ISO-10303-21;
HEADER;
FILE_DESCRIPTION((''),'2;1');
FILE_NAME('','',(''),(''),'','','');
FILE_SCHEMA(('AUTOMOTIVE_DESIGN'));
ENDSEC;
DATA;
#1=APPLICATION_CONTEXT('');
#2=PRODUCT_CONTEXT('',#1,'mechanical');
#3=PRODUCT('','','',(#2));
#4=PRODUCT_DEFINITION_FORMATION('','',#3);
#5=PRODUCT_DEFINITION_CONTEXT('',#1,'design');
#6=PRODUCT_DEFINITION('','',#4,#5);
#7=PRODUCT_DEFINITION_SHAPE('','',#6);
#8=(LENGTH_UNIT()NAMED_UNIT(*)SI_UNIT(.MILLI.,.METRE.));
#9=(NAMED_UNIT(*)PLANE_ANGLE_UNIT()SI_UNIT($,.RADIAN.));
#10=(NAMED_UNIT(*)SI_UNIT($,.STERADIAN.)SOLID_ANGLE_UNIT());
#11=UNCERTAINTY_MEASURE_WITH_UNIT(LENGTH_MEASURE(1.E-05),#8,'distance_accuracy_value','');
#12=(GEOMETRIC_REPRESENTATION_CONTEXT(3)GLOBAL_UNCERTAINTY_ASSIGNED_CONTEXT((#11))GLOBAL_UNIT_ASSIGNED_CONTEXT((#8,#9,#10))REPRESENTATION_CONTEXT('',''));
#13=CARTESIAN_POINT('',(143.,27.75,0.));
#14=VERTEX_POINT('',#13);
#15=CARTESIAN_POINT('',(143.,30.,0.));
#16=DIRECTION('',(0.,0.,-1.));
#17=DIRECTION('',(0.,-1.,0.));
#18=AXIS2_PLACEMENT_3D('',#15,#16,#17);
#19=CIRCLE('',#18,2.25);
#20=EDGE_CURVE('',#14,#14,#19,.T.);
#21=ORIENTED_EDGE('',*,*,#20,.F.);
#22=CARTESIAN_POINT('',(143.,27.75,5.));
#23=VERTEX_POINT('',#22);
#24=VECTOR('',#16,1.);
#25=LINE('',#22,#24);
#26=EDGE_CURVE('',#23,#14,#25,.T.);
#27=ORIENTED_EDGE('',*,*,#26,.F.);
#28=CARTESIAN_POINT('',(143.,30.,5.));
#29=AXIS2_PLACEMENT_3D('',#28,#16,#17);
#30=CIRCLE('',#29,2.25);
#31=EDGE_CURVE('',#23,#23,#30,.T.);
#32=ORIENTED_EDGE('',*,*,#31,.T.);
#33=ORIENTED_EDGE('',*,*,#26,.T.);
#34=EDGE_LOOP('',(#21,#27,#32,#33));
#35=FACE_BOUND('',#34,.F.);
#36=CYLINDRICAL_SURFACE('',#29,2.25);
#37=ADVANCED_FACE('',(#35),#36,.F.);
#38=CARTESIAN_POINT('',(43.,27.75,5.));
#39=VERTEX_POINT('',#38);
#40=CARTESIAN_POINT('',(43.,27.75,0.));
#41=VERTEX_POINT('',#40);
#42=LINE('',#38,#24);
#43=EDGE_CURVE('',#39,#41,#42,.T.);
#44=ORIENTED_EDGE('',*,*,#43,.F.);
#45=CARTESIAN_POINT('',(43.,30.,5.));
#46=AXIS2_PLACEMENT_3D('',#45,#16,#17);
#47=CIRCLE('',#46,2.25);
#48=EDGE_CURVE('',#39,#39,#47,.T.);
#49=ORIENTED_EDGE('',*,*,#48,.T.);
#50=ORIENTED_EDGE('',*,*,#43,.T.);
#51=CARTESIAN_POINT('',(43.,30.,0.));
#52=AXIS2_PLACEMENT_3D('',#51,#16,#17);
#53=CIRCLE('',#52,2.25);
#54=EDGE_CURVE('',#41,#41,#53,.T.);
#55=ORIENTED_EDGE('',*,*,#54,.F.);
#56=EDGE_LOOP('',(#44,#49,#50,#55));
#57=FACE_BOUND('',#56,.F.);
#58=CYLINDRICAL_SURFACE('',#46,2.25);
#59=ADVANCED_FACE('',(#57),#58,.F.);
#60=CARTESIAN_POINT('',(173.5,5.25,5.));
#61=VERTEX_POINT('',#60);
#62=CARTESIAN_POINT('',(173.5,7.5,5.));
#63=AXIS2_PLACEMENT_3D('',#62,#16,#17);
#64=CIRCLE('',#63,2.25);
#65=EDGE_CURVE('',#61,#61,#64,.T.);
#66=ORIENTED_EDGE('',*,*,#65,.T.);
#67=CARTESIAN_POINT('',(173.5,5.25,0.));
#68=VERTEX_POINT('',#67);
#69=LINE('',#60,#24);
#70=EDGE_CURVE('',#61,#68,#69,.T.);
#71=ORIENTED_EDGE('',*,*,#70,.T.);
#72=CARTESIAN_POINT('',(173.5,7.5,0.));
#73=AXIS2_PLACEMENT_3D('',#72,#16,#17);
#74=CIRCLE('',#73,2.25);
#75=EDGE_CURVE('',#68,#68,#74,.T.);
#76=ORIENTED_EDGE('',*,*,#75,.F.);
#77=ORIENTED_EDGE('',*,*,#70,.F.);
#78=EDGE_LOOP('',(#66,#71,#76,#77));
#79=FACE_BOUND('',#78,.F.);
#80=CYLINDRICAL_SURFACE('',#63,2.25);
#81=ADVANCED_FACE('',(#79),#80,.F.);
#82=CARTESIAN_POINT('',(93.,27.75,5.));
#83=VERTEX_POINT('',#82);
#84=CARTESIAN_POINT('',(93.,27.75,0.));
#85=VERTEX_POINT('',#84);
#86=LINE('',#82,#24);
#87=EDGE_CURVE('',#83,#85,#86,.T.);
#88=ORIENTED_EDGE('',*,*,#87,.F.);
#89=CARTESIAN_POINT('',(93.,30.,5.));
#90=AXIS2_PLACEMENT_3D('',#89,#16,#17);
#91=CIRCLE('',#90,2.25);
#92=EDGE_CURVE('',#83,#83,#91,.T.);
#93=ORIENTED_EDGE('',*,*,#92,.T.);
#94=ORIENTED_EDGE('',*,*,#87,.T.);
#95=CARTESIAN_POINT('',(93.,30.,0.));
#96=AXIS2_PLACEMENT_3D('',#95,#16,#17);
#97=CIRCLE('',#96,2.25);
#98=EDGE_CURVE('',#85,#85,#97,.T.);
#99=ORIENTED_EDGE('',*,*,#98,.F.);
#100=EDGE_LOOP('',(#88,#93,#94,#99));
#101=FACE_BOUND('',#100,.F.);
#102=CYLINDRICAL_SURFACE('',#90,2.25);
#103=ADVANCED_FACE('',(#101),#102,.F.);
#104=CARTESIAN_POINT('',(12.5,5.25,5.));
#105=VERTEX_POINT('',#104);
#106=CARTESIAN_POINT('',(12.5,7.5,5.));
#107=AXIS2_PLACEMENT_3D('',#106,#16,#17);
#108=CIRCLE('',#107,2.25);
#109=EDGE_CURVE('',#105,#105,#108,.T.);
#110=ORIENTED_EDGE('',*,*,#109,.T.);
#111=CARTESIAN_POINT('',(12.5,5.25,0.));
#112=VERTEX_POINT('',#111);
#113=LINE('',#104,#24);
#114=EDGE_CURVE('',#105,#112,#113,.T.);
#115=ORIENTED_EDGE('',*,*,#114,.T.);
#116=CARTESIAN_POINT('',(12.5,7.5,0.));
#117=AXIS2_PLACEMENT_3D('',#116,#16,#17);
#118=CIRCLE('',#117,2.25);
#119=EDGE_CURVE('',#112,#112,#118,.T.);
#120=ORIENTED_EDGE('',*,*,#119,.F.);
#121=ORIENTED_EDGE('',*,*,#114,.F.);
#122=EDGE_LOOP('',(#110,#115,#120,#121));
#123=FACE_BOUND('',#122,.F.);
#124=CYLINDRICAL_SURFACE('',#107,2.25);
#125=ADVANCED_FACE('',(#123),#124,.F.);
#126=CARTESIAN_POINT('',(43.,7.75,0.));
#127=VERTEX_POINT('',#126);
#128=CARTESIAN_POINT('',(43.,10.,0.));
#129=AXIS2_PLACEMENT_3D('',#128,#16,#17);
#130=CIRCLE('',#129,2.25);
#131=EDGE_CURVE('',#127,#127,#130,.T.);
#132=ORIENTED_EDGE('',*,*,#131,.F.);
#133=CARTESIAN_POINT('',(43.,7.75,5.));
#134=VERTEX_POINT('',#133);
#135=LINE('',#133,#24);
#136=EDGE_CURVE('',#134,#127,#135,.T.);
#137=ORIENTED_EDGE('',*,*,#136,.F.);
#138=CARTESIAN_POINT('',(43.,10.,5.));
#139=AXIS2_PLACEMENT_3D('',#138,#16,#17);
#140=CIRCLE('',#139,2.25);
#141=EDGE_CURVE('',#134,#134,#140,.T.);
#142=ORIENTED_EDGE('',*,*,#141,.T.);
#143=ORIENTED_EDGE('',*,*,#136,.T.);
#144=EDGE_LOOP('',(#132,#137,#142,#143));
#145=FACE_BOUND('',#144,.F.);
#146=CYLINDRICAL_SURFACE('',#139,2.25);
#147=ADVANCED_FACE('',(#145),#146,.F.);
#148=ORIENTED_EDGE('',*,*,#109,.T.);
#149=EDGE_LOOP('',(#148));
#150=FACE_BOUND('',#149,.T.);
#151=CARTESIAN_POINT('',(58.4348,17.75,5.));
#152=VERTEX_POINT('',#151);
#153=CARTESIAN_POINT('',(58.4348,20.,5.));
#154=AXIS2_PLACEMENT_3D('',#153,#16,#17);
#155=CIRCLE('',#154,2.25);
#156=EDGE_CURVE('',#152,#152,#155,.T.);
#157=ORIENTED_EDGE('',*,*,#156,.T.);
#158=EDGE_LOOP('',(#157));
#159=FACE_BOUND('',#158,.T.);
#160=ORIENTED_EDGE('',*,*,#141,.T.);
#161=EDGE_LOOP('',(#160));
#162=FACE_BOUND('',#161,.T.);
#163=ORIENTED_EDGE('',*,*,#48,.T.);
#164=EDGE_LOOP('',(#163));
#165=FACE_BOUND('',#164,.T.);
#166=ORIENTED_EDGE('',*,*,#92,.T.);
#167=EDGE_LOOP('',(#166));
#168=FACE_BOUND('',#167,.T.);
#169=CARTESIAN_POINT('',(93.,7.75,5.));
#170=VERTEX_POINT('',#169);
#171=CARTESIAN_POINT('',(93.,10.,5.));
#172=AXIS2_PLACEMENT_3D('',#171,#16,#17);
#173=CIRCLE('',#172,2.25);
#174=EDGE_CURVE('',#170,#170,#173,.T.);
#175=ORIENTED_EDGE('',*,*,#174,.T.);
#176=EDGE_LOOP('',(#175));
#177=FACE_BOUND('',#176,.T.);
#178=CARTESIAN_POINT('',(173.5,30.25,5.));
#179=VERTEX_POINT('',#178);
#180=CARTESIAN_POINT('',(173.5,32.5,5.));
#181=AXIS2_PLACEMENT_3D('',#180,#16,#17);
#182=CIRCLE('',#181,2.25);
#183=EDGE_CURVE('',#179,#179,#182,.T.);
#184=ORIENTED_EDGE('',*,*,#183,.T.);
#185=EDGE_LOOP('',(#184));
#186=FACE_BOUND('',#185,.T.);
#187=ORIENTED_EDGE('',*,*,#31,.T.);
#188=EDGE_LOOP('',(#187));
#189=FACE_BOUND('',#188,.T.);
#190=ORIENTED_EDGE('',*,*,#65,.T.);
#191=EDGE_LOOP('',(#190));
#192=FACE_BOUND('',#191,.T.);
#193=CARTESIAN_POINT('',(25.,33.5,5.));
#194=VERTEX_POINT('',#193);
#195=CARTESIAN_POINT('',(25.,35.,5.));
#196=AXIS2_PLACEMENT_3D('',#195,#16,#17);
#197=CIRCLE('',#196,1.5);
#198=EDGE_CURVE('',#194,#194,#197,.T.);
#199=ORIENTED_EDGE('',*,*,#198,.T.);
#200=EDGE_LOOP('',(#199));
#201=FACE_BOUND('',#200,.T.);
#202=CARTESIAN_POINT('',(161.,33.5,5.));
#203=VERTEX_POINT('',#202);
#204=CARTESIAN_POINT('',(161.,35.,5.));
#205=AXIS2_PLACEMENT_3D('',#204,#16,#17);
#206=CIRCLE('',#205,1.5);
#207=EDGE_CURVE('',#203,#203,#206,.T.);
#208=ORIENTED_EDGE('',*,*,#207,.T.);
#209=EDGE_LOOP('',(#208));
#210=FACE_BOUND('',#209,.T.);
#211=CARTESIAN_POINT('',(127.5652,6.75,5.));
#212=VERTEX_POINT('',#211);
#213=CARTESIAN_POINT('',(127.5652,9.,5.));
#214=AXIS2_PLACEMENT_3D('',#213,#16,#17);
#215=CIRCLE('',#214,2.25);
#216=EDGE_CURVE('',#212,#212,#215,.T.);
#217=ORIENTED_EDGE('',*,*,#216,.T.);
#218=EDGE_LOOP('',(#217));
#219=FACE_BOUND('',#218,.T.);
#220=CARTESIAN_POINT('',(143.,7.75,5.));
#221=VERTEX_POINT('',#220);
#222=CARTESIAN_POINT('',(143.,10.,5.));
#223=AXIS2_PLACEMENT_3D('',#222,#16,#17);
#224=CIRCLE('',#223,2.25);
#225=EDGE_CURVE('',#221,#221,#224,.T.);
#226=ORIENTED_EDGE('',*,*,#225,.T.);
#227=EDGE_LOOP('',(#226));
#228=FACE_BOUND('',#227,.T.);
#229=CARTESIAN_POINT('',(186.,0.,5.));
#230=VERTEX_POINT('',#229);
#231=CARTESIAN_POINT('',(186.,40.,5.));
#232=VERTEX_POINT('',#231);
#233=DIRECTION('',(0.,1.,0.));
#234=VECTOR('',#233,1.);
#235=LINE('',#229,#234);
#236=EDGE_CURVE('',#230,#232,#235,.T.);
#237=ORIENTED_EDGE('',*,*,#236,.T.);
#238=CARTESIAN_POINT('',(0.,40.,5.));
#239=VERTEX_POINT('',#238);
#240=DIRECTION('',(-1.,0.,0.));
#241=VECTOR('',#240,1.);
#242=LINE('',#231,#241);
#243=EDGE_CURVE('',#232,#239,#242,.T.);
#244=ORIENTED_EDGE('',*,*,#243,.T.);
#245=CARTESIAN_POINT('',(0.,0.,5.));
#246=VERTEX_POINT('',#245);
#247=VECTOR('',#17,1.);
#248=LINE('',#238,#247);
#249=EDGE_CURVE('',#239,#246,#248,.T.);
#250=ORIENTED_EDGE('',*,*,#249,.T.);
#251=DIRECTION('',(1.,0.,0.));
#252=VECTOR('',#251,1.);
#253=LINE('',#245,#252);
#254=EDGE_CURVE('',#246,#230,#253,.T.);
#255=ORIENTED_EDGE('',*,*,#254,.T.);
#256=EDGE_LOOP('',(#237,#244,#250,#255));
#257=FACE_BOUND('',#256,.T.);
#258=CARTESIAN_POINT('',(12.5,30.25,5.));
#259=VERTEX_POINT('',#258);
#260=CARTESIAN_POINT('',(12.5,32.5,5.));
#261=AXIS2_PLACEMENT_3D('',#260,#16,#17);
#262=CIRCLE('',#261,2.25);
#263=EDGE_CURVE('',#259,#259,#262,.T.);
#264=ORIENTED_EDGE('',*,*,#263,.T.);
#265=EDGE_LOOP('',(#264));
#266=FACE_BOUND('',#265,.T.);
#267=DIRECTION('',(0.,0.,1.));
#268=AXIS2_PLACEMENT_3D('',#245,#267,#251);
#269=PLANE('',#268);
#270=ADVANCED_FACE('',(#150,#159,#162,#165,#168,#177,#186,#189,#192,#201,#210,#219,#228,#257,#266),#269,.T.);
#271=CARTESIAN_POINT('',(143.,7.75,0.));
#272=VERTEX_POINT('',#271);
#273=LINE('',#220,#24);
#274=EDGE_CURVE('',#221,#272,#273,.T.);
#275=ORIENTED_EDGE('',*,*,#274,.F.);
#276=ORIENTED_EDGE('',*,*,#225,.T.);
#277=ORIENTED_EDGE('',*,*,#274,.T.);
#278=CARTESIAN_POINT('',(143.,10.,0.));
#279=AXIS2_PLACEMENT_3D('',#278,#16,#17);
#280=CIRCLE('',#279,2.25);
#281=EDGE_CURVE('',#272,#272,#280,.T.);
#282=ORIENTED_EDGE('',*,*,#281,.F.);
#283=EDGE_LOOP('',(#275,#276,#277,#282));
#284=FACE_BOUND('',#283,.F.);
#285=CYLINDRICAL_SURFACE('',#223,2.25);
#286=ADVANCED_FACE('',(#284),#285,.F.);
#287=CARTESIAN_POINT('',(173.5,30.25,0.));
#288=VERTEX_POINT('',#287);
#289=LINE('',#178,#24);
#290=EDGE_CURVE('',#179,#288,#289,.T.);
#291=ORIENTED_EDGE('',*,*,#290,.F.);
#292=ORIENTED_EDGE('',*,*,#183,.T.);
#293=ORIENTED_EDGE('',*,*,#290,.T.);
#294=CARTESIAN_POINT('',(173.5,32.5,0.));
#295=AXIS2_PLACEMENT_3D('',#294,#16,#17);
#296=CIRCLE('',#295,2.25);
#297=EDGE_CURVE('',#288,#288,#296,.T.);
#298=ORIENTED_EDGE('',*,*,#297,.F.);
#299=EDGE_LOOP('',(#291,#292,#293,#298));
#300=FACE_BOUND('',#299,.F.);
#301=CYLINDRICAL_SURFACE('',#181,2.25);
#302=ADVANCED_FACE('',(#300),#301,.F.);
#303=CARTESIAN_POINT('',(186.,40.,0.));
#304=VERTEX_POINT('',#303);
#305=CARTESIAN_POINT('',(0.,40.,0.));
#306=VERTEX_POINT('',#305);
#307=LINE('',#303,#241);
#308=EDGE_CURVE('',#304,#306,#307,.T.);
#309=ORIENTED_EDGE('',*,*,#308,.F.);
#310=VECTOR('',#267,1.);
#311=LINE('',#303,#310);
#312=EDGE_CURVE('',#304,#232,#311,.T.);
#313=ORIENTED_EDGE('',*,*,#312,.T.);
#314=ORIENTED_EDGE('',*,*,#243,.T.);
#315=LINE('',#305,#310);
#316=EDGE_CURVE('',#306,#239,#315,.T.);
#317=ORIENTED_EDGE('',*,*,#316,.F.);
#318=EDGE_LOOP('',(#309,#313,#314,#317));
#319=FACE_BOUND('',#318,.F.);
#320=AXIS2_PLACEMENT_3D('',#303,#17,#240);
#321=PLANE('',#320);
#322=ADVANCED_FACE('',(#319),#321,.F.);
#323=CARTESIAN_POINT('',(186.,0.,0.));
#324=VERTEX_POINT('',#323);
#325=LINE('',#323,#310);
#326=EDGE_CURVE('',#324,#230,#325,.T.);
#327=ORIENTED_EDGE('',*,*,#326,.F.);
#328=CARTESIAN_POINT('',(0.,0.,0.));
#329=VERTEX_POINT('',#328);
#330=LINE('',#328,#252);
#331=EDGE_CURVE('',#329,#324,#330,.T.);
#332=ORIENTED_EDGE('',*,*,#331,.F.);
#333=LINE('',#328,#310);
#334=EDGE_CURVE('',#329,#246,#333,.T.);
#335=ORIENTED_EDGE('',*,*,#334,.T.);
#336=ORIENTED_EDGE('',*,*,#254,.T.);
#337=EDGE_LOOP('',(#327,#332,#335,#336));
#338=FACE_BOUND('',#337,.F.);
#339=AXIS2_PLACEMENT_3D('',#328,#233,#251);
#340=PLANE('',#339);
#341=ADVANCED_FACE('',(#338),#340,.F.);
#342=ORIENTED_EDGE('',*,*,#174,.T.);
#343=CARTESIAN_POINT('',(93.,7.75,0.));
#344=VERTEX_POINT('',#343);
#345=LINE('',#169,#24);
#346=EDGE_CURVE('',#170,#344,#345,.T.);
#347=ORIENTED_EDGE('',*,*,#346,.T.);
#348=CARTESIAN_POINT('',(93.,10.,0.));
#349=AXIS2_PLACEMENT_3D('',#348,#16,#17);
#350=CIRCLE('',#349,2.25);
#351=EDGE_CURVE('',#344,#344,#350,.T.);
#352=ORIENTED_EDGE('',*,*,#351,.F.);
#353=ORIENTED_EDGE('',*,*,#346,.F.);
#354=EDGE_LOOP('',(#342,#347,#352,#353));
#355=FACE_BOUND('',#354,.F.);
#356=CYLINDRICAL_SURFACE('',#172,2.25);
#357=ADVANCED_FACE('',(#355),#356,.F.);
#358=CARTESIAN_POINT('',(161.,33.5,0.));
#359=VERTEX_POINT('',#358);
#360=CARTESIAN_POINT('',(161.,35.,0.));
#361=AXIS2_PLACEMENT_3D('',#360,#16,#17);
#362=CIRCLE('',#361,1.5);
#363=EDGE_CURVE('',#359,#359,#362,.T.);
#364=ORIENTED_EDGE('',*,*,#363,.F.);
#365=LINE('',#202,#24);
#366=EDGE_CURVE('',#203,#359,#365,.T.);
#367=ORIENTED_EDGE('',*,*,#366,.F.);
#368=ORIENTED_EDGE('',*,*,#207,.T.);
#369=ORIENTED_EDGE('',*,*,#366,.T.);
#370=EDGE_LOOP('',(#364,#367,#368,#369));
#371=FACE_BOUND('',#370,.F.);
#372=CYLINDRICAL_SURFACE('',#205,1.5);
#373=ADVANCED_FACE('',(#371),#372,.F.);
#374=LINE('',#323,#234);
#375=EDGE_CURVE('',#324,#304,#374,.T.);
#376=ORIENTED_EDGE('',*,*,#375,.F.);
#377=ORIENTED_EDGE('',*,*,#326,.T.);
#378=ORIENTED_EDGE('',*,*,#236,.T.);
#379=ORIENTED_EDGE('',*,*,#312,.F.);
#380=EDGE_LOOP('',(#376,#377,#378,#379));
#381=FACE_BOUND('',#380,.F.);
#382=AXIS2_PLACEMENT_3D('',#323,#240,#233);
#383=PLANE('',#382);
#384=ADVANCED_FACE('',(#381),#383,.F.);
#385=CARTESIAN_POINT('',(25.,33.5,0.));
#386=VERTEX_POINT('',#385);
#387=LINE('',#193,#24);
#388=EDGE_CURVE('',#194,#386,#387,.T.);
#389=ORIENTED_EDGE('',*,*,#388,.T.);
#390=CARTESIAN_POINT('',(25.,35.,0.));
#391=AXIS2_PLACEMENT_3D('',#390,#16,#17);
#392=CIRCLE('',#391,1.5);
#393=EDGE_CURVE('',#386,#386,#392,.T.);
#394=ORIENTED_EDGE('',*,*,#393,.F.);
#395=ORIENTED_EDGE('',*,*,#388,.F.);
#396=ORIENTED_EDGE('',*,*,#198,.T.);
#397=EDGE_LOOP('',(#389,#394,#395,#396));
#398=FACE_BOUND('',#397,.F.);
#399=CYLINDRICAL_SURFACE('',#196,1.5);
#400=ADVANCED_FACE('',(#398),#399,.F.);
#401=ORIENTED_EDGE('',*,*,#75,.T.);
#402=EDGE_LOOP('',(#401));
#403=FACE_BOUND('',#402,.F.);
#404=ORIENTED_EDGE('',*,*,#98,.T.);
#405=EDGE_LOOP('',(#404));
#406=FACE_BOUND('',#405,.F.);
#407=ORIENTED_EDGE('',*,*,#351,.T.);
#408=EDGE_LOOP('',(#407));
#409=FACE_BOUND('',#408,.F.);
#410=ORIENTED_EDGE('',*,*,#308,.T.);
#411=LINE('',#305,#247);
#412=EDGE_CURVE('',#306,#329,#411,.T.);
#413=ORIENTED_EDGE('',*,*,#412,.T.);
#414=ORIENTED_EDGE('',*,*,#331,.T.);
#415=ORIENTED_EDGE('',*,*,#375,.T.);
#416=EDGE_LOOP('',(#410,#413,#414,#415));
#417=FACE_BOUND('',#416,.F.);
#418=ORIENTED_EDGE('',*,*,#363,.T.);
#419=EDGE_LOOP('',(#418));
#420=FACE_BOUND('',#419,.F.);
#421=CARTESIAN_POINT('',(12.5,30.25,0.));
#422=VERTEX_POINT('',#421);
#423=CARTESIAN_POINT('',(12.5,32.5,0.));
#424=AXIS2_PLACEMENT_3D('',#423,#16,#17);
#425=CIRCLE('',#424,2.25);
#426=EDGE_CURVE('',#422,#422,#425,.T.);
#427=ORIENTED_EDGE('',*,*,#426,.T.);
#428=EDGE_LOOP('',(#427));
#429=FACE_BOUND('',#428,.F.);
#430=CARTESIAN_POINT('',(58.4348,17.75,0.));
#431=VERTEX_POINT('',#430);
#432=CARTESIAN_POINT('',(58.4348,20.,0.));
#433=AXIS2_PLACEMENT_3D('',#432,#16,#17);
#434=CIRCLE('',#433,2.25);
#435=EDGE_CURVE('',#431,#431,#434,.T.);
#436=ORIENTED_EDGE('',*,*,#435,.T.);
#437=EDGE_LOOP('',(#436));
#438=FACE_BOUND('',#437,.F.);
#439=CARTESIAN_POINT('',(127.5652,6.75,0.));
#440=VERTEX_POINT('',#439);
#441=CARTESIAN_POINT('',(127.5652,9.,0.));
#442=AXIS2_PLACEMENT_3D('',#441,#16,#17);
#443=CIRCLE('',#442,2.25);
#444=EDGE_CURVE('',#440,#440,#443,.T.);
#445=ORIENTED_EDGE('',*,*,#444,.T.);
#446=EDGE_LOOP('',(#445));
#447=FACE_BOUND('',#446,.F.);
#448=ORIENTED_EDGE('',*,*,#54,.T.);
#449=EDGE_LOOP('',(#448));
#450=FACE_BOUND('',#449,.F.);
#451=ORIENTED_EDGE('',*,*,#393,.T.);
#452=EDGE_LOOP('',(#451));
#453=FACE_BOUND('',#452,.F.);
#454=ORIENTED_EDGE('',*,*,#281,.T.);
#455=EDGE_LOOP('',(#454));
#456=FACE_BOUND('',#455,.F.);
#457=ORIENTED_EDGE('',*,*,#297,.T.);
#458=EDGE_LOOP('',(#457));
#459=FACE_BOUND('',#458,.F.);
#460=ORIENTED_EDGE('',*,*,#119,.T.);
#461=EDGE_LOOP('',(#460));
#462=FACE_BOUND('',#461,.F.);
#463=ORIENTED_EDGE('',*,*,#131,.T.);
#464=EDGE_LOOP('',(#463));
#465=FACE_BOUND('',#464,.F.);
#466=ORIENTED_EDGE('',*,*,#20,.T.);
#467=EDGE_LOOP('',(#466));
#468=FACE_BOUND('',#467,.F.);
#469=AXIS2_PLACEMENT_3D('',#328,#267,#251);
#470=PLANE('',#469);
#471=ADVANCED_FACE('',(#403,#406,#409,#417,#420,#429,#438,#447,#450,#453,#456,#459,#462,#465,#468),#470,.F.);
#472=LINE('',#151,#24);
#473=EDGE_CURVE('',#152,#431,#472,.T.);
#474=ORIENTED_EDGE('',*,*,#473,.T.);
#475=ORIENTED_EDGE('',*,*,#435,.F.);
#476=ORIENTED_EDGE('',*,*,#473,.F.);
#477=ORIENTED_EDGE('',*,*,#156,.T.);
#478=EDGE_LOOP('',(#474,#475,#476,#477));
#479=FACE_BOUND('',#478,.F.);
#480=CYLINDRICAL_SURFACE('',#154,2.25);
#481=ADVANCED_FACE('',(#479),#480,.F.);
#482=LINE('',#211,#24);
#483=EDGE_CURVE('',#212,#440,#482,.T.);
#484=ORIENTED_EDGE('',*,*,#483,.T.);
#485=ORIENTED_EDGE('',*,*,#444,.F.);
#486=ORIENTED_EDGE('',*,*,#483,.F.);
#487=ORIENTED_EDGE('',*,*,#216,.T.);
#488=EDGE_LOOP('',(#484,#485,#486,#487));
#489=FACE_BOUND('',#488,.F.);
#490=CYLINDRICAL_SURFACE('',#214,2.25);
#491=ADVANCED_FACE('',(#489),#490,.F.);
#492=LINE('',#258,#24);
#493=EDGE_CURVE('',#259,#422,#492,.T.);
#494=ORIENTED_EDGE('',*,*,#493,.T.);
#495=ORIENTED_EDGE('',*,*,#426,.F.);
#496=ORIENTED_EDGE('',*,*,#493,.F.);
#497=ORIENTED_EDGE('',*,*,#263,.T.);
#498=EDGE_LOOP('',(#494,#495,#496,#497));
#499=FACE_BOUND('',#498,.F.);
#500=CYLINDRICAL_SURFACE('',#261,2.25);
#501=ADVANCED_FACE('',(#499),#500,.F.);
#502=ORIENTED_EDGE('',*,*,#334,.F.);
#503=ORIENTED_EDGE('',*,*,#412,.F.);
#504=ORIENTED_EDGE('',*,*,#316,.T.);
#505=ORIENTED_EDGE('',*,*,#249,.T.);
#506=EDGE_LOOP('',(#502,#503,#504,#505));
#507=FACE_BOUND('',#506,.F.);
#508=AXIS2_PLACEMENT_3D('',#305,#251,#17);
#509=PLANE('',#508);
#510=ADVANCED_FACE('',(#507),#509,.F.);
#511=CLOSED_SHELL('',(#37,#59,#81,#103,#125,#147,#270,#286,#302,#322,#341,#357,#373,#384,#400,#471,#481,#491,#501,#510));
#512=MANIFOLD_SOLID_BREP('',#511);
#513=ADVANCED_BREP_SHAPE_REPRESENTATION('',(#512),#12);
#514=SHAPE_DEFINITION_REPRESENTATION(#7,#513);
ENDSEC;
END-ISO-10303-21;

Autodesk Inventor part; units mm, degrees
ref_plane "YZ Plane" through (0, 0, 0) normal (1, 0, 0) x (0, 1, 0)
ref_plane "XZ Plane" through (0, 0, 0) normal (0, 1, 0) x (-1, 0, 0)
ref_plane "XY Plane" through (0, 0, 0) normal (0, 0, 1) x (1, 0, 0)
sketch "Sketch1" plane through (0, 0, 0) normal (0, 0, 1) x (1, 0, 0)
  line L0 (0, 0) -> (186, 0)
  line L1 (186, 0) -> (186, 40)
  line L2 (186, 40) -> (0, 40)
  line L3 (0, 40) -> (0, 0)
  dimension "d0" = 186
  dimension "d1" = 40
extrude "Extrusion1" add sketch "Sketch1" along normal blind 5
sketch "Sketch2" plane through (0, 0, 5) normal (0, 0, 1) x (1, 0, 0)
  line L0 (186, 40) -> (0, 40) projected
  line L1 (0, 0) -> (186, 0) projected
  line L2 (0, 40) -> (0, 0) projected
  point P0 (43, 30)
  point P1 (43, 10)
  dimension "d4" = 10
  dimension "d6" = 43
  dimension "d40" = 20
  dimension "d41" = 10
hole "Hole1" at (43, 30, 5) at (43, 10, 5) direction (0, 0, -1) diameter 4.5 end through all clearance for "Flat Head Machine Screw" size "M4" standard "Ansi Metric M Profile"
pattern_linear "Rectangular Pattern1" count 3 spacing 50 along (1, 0, 0) of "Hole1"
sketch "Sketch3" plane through (0, 0, 5) normal (0, 0, 1) x (1, 0, 0)
  line L0 (186, 40) -> (0, 40) projected
  line L1 (0, 40) -> (0, 0) projected
  line L2 (186, 0) -> (186, 40) projected
  point P0 (58.4348, 20)
  point P1 (127.5652, 9)
  dimension "d17" = 70
  dimension "d18" = 20
  dimension "d19" = 11
  dimension "d20" = 58.4348
  dimension "d21" = 58.4348
hole "Hole2" at (58.4348, 20, 5) at (127.5652, 9, 5) direction (0, 0, -1) diameter 4.5 end through all clearance for "Flat Head Machine Screw" size "M4" standard "Ansi Metric M Profile"
sketch "Sketch4" plane through (0, 0, 5) normal (0, 0, 1) x (1, 0, 0)
  line L0 (186, 40) -> (0, 40) projected
  line L1 (0, 0) -> (186, 0) projected
  line L2 (0, 40) -> (0, 0) projected
  line L3 (186, 0) -> (186, 40) projected
  point P0 (12.5, 32.5)
  point P1 (12.5, 7.5)
  point P2 (173.5, 32.5)
  point P3 (173.5, 7.5)
  dimension "d29" = 7.5
  dimension "d30" = 7.5
  dimension "d31" = 12.5
  dimension "d32" = 12.5
hole "Hole3" at (12.5, 32.5, 5) at (12.5, 7.5, 5) at (173.5, 32.5, 5) at (173.5, 7.5, 5) direction (0, 0, -1) diameter 4.5 end through all clearance for "Flat Head Machine Screw" size "M4" standard "Ansi Metric M Profile"
sketch "Sketch5" plane through (0, 0, 5) normal (0, 0, 1) x (1, 0, 0)
  line L0 (186, 40) -> (0, 40) projected
  line L1 (186, 0) -> (186, 40) projected
  line L2 (0, 40) -> (0, 0) projected
  point P0 (25, 35)
  point P1 (161, 35)
  dimension "d42" = 5
  dimension "d43" = 25
  dimension "d44" = 25
hole "Hole4" at (25, 35, 5) at (161, 35, 5) direction (0, 0, -1) diameter 3 end through all
equation "\"d20\" = d21"
equation "\"d30\" = d29"
equation "\"d32\" = d31"
equation "\"d44\" = d43"
properties part number "Top_Slider Piece 1_3 Lanes" material "Wood (Oak)"
